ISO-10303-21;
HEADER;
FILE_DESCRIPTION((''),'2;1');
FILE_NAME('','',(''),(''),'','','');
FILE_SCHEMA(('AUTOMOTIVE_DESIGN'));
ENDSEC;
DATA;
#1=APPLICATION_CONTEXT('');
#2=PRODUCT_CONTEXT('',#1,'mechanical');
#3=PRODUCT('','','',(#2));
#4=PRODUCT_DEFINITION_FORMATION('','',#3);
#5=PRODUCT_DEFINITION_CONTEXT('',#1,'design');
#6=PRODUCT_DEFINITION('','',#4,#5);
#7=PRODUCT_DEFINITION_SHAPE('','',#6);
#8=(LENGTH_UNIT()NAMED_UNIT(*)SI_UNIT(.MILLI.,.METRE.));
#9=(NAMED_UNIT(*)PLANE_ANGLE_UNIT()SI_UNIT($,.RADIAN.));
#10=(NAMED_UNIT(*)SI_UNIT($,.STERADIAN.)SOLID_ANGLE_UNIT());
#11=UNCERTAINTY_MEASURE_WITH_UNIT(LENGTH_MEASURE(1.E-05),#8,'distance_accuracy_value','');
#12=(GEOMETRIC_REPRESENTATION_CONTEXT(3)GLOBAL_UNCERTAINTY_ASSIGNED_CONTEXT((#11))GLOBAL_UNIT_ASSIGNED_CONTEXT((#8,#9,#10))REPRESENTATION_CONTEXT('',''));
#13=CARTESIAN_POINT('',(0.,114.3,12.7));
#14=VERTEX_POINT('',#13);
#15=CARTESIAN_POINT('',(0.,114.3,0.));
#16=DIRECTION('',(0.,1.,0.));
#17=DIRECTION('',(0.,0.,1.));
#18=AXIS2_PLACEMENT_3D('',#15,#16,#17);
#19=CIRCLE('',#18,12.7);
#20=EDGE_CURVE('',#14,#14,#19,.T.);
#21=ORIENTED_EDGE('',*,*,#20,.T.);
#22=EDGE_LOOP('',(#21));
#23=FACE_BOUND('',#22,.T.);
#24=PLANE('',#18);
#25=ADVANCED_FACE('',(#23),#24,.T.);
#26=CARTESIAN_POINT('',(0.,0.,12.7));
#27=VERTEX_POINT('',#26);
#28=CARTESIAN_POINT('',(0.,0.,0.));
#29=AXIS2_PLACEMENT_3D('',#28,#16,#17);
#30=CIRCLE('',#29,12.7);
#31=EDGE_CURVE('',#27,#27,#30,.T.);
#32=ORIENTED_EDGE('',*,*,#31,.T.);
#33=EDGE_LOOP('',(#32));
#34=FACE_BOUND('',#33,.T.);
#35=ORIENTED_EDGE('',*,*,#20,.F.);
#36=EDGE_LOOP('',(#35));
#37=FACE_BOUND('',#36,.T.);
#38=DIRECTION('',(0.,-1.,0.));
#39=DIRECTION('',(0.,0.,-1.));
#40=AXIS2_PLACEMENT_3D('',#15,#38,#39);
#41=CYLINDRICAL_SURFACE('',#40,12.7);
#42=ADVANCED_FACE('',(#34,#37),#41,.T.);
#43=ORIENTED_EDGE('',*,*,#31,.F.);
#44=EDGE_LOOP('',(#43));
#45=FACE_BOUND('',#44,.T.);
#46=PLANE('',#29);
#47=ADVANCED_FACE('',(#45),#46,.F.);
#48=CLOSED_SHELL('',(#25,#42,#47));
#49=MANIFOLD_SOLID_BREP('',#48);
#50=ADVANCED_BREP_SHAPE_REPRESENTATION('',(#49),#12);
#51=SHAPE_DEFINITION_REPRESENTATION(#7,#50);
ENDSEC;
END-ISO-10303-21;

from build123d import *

# Parameters (mm, degrees)
AXLE_DIAMETER_R    = 12.7
AXLE_EXTRUDE_DEPTH = 114.3


with BuildPart() as part:
    # Axle Diameter → Axle Extrude (new body)
    with BuildSketch(Plane(origin=(0, 0, 0), x_dir=(1, 0, 0), z_dir=(0, 1, 0))):
        Circle(AXLE_DIAMETER_R)
    extrude(amount=AXLE_EXTRUDE_DEPTH)


solid = part.part
